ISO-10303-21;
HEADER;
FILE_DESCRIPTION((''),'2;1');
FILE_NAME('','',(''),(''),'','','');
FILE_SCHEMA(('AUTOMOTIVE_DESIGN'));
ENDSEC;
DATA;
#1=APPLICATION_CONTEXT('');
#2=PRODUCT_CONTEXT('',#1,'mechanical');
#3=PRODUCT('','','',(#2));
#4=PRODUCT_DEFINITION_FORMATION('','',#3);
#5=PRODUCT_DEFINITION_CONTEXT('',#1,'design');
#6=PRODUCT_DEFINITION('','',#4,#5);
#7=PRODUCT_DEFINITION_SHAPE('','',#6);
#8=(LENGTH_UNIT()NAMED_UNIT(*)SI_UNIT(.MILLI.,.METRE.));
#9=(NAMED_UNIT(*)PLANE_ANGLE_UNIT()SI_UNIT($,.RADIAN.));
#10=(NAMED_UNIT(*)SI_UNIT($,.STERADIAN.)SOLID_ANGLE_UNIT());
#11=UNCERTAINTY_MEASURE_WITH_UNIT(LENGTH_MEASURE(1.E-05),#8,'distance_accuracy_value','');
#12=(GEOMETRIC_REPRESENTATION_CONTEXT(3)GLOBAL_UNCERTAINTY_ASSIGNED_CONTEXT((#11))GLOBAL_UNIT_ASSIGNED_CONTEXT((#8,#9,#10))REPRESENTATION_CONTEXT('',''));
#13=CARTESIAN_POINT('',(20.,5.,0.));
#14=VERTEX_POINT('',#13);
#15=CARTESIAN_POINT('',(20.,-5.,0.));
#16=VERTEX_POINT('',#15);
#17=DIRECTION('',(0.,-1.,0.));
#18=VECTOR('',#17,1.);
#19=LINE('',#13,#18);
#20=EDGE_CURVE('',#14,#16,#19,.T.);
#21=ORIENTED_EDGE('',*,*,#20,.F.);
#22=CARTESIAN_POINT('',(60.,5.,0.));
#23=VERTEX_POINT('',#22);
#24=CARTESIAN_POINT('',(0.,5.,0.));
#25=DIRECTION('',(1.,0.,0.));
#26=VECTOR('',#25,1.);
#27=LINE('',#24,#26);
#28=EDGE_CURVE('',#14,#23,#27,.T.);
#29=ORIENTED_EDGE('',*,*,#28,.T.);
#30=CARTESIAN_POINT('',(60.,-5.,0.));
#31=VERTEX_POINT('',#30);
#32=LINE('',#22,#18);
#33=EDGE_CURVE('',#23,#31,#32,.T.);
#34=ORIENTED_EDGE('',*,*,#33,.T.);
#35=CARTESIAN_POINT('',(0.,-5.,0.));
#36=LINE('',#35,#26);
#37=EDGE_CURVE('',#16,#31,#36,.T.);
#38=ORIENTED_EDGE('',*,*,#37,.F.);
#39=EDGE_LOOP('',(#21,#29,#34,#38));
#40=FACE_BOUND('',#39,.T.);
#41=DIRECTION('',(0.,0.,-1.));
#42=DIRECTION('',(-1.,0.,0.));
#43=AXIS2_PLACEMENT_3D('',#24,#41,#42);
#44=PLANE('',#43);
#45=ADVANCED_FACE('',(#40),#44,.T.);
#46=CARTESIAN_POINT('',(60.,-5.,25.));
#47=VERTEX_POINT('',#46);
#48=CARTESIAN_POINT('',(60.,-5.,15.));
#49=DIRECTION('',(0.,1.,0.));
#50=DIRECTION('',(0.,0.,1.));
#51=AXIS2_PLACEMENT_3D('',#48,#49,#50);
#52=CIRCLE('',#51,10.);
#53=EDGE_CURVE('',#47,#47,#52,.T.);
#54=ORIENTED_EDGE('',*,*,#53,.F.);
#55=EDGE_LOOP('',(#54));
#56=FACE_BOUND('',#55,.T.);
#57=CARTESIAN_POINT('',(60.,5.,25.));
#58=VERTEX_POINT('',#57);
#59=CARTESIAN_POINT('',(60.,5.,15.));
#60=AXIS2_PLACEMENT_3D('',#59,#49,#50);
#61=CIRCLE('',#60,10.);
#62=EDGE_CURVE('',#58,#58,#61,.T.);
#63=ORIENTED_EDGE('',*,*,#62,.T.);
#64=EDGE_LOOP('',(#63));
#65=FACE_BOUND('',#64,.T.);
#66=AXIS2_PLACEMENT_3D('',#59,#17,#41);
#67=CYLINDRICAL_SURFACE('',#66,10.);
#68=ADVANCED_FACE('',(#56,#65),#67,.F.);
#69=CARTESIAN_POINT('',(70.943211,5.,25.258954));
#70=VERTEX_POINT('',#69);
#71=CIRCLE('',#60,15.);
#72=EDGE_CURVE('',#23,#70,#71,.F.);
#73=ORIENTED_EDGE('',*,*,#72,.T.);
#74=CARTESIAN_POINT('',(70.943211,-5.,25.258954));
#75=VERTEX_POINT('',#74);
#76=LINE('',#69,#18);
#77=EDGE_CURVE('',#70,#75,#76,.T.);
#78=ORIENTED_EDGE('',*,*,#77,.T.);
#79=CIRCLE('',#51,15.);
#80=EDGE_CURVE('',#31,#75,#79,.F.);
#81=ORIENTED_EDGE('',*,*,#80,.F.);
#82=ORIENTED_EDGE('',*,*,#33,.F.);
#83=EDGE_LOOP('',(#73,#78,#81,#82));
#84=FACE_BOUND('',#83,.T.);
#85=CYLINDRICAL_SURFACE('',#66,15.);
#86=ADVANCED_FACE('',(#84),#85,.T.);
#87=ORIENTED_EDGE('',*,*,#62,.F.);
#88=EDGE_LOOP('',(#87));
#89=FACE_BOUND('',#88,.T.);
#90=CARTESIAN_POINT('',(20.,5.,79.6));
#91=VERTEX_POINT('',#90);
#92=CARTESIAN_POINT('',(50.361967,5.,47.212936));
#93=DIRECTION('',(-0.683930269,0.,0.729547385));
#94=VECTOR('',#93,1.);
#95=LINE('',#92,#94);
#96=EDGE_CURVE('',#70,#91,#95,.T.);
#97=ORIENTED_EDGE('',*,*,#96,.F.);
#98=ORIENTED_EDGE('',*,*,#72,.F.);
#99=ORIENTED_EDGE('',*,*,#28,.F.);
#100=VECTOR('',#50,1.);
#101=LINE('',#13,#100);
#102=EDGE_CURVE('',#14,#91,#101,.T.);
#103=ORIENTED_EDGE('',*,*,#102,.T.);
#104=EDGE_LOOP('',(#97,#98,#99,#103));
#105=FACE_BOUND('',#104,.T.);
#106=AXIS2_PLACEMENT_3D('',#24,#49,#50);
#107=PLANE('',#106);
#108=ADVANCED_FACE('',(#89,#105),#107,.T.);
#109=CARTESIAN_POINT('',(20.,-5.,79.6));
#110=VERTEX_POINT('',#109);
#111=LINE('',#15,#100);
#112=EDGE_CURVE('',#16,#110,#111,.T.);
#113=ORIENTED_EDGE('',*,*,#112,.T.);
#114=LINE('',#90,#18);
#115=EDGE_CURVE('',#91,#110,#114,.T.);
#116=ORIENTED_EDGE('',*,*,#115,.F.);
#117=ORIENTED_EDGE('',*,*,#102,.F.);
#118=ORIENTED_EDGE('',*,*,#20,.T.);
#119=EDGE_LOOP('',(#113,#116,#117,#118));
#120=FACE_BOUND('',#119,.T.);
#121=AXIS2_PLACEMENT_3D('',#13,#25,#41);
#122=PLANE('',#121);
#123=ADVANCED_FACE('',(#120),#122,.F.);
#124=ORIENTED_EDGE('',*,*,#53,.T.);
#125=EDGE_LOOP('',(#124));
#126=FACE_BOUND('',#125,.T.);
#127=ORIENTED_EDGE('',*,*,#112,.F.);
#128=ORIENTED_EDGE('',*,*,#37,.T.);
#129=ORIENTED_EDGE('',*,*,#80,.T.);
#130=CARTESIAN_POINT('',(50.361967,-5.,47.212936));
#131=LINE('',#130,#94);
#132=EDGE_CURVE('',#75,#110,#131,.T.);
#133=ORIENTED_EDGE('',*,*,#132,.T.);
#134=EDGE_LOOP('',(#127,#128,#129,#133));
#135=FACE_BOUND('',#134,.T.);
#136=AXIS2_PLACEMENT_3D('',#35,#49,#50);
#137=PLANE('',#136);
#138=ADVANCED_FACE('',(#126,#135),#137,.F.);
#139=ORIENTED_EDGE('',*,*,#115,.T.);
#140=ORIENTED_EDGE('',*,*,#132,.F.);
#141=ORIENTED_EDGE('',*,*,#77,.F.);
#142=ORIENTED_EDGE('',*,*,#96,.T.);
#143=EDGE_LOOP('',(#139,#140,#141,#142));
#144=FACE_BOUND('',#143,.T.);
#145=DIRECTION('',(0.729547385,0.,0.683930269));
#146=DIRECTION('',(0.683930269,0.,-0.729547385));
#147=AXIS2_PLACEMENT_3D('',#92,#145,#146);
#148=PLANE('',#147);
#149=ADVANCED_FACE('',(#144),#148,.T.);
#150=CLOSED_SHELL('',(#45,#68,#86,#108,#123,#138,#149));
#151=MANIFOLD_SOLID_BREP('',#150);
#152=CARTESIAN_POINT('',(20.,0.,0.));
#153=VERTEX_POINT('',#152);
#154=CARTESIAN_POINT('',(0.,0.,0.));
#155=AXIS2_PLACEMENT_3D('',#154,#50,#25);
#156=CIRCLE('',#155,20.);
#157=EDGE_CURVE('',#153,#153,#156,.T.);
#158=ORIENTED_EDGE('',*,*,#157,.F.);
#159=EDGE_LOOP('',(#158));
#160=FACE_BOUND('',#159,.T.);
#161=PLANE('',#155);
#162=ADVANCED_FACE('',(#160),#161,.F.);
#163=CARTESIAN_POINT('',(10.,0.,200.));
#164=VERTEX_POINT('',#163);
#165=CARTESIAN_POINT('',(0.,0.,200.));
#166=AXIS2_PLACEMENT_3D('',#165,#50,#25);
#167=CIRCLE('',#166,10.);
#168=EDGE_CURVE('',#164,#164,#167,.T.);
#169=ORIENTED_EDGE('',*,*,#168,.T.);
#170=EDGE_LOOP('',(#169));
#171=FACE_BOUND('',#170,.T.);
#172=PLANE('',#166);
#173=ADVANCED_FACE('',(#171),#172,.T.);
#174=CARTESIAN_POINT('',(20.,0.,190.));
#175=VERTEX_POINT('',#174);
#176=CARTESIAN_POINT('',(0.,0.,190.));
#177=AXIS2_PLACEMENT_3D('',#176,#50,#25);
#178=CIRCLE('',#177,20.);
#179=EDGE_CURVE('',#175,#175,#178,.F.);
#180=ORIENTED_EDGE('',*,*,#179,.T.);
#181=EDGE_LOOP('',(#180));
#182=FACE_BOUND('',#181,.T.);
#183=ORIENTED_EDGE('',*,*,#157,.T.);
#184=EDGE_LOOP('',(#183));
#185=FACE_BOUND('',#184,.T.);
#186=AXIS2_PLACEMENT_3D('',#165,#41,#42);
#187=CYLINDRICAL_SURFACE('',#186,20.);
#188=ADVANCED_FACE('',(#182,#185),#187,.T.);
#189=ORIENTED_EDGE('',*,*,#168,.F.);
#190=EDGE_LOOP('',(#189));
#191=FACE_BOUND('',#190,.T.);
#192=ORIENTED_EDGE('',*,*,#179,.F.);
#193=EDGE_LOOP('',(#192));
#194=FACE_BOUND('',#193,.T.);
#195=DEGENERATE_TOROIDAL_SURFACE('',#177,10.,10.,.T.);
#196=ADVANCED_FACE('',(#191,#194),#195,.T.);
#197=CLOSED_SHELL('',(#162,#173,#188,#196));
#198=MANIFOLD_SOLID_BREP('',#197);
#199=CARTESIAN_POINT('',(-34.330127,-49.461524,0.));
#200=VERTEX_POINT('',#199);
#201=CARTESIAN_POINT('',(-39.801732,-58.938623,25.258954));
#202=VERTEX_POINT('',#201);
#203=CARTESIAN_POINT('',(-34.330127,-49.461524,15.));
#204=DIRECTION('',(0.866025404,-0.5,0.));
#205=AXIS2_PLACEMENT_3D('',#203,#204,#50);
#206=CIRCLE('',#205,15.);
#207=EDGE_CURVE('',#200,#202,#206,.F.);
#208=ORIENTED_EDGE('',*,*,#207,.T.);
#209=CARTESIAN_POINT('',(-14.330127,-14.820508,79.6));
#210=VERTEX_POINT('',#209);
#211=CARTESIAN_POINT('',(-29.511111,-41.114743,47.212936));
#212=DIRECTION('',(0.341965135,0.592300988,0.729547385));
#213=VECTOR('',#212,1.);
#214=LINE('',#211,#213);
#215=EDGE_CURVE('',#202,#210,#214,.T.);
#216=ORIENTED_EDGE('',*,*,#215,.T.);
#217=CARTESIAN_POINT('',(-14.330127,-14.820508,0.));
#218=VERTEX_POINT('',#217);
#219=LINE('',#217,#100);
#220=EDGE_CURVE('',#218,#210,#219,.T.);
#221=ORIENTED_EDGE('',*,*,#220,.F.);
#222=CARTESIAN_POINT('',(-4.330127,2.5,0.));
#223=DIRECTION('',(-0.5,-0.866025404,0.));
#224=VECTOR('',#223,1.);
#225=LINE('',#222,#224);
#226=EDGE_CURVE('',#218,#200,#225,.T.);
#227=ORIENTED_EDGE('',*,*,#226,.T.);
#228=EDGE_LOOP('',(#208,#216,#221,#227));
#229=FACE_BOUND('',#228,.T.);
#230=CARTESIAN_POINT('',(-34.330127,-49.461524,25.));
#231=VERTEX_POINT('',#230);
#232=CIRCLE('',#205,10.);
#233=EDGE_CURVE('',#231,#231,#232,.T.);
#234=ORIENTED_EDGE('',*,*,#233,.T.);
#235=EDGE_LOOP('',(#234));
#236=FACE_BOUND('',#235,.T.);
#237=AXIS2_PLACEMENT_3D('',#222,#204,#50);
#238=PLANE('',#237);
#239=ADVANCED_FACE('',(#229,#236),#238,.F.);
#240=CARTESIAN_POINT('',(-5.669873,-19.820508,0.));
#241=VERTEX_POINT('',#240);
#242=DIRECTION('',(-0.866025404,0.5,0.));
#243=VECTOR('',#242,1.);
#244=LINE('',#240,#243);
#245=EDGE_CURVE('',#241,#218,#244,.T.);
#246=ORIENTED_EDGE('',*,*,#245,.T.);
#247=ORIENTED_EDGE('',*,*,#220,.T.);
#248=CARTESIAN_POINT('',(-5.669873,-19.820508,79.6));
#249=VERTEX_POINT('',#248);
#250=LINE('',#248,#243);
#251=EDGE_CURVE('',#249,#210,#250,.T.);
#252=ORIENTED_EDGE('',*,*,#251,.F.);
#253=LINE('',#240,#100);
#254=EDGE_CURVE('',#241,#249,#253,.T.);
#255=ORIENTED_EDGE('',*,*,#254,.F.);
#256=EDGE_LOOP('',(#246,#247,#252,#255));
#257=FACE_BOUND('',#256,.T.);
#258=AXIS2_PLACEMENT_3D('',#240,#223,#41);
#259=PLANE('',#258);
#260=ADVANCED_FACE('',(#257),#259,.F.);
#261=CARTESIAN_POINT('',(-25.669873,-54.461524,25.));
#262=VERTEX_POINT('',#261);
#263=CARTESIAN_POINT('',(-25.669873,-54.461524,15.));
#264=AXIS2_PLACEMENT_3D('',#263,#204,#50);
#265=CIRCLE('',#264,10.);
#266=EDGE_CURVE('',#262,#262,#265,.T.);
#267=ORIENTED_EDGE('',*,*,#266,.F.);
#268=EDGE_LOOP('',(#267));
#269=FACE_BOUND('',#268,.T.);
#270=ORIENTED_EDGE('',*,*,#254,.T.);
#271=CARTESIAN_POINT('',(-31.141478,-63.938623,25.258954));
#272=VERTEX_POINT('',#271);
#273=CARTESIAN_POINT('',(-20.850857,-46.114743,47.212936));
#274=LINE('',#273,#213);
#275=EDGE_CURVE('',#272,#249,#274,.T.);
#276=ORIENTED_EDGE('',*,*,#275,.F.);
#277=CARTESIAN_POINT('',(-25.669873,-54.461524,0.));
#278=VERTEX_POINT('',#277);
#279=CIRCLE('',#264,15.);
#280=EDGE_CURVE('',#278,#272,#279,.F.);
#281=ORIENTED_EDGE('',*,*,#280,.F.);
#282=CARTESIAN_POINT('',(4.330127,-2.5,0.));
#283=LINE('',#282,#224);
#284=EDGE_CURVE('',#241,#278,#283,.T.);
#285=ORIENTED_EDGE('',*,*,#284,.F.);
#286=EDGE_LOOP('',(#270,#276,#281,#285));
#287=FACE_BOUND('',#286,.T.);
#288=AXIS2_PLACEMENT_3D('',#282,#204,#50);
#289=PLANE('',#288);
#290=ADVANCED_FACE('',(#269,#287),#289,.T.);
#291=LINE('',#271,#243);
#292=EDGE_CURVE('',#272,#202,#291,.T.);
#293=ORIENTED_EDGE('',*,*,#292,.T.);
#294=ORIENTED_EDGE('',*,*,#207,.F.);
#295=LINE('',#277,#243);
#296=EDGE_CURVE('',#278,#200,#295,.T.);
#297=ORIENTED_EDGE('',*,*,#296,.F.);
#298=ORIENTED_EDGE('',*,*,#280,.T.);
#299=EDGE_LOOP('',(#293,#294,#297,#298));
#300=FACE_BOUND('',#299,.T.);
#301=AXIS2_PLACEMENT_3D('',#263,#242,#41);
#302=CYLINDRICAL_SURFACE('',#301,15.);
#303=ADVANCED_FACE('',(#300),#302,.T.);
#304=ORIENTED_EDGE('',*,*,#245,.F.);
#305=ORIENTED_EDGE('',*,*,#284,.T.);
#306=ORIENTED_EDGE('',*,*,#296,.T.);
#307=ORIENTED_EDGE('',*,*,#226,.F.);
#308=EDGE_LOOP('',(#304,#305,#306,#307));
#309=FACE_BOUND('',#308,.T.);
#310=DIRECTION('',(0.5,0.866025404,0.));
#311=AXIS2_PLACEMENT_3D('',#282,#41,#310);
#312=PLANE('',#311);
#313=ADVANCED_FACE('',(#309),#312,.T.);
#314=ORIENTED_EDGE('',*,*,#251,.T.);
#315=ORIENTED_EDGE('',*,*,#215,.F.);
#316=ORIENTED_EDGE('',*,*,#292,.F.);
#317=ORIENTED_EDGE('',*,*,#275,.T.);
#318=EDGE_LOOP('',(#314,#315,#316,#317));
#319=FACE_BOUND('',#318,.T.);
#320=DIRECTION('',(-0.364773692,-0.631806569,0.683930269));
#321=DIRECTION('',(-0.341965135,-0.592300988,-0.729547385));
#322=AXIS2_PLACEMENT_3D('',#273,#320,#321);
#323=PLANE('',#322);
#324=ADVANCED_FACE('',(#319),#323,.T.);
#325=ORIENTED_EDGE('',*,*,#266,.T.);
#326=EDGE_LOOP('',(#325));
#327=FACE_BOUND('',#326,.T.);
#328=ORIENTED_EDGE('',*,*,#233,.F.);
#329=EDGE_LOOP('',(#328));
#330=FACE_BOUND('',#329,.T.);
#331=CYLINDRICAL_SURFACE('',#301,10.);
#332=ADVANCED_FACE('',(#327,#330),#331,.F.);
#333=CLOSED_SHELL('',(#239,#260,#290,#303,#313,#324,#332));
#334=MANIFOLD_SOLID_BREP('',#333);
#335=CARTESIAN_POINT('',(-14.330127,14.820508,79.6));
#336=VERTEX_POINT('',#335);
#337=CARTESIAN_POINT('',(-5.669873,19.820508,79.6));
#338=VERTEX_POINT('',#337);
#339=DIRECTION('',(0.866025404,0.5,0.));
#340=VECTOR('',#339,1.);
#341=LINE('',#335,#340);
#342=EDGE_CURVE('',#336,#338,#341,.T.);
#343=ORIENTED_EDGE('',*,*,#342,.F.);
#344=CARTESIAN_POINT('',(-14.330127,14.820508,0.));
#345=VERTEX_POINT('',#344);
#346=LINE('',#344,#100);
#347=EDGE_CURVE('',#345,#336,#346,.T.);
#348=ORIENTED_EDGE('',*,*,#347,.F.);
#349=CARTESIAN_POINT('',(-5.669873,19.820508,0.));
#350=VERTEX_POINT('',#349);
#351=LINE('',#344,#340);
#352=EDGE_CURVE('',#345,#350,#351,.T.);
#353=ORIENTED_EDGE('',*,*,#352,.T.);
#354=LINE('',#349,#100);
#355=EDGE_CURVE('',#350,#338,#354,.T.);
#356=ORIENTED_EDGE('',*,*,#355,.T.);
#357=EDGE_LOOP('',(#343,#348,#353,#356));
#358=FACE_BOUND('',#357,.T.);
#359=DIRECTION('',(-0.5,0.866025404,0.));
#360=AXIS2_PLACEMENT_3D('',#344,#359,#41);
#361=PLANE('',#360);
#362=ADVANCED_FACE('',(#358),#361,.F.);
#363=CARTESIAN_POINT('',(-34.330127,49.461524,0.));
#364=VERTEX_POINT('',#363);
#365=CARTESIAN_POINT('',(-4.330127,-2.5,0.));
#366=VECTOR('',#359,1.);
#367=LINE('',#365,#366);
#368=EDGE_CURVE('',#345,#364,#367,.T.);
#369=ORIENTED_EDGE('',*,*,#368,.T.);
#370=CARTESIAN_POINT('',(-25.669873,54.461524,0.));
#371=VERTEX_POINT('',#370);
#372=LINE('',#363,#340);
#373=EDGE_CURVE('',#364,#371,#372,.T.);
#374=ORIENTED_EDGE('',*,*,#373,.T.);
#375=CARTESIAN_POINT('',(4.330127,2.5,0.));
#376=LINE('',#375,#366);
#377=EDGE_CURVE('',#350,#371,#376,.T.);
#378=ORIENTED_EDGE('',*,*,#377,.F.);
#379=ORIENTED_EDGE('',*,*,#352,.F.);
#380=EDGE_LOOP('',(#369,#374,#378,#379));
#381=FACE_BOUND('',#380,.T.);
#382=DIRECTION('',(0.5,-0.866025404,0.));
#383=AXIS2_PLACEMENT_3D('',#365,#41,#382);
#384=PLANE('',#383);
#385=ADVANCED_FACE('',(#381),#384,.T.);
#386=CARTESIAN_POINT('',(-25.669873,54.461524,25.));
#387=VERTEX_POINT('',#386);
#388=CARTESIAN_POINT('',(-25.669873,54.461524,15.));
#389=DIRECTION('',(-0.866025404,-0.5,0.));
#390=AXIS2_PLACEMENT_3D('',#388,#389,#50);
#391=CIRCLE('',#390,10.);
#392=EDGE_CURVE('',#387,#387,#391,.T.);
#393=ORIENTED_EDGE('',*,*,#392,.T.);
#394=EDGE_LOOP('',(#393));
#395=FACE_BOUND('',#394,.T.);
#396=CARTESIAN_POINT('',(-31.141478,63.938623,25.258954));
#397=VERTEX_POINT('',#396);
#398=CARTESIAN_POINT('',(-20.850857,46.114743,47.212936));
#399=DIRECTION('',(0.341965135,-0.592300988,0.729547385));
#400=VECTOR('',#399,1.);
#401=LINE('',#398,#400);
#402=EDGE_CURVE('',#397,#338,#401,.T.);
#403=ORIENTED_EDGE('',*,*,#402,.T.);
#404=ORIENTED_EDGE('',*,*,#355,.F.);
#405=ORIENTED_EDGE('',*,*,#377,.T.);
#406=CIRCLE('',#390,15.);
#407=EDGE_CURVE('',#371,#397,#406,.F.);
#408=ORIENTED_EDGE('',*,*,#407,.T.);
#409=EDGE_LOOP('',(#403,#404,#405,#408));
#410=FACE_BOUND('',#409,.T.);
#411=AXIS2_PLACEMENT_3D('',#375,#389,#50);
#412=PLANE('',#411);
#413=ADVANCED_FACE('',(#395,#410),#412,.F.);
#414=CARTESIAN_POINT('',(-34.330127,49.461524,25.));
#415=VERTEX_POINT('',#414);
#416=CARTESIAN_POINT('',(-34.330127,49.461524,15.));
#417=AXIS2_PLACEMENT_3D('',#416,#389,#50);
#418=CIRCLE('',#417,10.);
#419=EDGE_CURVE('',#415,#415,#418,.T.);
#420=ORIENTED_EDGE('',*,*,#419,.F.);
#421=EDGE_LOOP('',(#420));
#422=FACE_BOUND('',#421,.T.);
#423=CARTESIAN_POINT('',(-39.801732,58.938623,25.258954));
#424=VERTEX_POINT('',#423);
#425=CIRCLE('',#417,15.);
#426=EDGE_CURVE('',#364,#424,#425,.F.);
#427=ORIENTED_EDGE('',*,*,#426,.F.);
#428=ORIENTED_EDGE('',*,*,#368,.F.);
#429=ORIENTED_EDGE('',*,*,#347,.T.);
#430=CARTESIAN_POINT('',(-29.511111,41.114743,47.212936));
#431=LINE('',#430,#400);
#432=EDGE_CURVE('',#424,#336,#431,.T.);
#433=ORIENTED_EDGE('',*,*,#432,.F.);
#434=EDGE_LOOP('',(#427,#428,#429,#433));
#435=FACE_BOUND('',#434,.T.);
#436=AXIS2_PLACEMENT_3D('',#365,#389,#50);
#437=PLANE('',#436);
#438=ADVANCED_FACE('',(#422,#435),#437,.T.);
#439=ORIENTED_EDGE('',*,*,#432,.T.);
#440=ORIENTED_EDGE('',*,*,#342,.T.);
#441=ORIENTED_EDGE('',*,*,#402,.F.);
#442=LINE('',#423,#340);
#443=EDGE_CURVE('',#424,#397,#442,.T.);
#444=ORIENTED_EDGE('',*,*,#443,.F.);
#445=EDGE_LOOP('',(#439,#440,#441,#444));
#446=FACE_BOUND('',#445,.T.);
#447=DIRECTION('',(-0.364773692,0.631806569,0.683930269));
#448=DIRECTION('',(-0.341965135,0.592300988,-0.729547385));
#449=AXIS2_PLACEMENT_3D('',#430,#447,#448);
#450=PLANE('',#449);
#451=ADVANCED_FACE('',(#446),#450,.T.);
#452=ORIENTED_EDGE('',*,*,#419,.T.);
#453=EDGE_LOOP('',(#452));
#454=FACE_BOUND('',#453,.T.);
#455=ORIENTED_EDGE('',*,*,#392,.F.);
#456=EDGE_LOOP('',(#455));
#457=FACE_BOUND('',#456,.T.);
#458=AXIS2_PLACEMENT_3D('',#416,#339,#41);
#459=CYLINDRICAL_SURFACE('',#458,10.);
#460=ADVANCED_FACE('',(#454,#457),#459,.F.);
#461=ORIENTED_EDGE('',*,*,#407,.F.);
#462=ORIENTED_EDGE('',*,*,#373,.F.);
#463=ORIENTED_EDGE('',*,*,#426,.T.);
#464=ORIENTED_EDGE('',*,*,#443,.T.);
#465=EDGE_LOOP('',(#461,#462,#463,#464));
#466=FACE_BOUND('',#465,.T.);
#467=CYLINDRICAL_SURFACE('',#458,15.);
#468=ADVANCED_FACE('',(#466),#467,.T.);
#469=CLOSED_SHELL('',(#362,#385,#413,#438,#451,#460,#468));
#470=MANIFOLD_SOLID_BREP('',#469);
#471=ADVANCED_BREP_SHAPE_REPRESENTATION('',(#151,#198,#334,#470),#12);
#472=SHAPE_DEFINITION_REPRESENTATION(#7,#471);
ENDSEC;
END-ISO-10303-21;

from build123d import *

# Parameters (mm, degrees)
SKETCH2_R           = 20
BOSS_EXTRUDE1_DEPTH = 200
FILLET1_R           = 10
SKETCH4_R           = 10
BOSS_EXTRUDE3_DEPTH = 5
CIRPATTERN4_COUNT   = 3


with BuildPart() as part:
    # Sketch2 → Boss-Extrude1 (new body)
    with BuildSketch(Plane.XY):
        Circle(SKETCH2_R)
    extrude(amount=BOSS_EXTRUDE1_DEPTH)

    # Fillet1
    fillet1_edges = [part.edges().sort_by_distance(p)[0] for p in [
        (-20, 0, 200),
    ]]
    fillet(fillet1_edges, radius=FILLET1_R)


with BuildPart() as body_2:
    # Sketch4 → Boss-Extrude3 (new, symmetric)
    with BuildSketch(Plane(origin=(0, 0, 0), x_dir=(1, 0, 0), z_dir=(0, 1, 0))):
        with BuildLine():
            ThreePointArc((60, 0), (73.763798723, -9.036960112), (70.943210773, -25.258954039))
            Line((70.943210773, -25.258954039), (20, -79.6))
            Line((20, -79.6), (20, 0))
            Line((20, 0), (60, 0))
        make_face()
        with Locations(Location((60, -15, 0), (0, 0, 270))):
            Circle(SKETCH4_R, mode=Mode.SUBTRACT)
    extrude(amount=BOSS_EXTRUDE3_DEPTH, both=True)


with BuildPart() as cirpattern4_1:
    # CirPattern4: pattern copy
    add(body_2.part.rotate(Axis((0, 0, 0), (0, 0, 1)), 1 * 360 / CIRPATTERN4_COUNT))


with BuildPart() as cirpattern4_2:
    # CirPattern4: pattern copy
    add(body_2.part.rotate(Axis((0, 0, 0), (0, 0, 1)), 2 * 360 / CIRPATTERN4_COUNT))


solid = Compound([part.part, body_2.part, cirpattern4_1.part, cirpattern4_2.part])
